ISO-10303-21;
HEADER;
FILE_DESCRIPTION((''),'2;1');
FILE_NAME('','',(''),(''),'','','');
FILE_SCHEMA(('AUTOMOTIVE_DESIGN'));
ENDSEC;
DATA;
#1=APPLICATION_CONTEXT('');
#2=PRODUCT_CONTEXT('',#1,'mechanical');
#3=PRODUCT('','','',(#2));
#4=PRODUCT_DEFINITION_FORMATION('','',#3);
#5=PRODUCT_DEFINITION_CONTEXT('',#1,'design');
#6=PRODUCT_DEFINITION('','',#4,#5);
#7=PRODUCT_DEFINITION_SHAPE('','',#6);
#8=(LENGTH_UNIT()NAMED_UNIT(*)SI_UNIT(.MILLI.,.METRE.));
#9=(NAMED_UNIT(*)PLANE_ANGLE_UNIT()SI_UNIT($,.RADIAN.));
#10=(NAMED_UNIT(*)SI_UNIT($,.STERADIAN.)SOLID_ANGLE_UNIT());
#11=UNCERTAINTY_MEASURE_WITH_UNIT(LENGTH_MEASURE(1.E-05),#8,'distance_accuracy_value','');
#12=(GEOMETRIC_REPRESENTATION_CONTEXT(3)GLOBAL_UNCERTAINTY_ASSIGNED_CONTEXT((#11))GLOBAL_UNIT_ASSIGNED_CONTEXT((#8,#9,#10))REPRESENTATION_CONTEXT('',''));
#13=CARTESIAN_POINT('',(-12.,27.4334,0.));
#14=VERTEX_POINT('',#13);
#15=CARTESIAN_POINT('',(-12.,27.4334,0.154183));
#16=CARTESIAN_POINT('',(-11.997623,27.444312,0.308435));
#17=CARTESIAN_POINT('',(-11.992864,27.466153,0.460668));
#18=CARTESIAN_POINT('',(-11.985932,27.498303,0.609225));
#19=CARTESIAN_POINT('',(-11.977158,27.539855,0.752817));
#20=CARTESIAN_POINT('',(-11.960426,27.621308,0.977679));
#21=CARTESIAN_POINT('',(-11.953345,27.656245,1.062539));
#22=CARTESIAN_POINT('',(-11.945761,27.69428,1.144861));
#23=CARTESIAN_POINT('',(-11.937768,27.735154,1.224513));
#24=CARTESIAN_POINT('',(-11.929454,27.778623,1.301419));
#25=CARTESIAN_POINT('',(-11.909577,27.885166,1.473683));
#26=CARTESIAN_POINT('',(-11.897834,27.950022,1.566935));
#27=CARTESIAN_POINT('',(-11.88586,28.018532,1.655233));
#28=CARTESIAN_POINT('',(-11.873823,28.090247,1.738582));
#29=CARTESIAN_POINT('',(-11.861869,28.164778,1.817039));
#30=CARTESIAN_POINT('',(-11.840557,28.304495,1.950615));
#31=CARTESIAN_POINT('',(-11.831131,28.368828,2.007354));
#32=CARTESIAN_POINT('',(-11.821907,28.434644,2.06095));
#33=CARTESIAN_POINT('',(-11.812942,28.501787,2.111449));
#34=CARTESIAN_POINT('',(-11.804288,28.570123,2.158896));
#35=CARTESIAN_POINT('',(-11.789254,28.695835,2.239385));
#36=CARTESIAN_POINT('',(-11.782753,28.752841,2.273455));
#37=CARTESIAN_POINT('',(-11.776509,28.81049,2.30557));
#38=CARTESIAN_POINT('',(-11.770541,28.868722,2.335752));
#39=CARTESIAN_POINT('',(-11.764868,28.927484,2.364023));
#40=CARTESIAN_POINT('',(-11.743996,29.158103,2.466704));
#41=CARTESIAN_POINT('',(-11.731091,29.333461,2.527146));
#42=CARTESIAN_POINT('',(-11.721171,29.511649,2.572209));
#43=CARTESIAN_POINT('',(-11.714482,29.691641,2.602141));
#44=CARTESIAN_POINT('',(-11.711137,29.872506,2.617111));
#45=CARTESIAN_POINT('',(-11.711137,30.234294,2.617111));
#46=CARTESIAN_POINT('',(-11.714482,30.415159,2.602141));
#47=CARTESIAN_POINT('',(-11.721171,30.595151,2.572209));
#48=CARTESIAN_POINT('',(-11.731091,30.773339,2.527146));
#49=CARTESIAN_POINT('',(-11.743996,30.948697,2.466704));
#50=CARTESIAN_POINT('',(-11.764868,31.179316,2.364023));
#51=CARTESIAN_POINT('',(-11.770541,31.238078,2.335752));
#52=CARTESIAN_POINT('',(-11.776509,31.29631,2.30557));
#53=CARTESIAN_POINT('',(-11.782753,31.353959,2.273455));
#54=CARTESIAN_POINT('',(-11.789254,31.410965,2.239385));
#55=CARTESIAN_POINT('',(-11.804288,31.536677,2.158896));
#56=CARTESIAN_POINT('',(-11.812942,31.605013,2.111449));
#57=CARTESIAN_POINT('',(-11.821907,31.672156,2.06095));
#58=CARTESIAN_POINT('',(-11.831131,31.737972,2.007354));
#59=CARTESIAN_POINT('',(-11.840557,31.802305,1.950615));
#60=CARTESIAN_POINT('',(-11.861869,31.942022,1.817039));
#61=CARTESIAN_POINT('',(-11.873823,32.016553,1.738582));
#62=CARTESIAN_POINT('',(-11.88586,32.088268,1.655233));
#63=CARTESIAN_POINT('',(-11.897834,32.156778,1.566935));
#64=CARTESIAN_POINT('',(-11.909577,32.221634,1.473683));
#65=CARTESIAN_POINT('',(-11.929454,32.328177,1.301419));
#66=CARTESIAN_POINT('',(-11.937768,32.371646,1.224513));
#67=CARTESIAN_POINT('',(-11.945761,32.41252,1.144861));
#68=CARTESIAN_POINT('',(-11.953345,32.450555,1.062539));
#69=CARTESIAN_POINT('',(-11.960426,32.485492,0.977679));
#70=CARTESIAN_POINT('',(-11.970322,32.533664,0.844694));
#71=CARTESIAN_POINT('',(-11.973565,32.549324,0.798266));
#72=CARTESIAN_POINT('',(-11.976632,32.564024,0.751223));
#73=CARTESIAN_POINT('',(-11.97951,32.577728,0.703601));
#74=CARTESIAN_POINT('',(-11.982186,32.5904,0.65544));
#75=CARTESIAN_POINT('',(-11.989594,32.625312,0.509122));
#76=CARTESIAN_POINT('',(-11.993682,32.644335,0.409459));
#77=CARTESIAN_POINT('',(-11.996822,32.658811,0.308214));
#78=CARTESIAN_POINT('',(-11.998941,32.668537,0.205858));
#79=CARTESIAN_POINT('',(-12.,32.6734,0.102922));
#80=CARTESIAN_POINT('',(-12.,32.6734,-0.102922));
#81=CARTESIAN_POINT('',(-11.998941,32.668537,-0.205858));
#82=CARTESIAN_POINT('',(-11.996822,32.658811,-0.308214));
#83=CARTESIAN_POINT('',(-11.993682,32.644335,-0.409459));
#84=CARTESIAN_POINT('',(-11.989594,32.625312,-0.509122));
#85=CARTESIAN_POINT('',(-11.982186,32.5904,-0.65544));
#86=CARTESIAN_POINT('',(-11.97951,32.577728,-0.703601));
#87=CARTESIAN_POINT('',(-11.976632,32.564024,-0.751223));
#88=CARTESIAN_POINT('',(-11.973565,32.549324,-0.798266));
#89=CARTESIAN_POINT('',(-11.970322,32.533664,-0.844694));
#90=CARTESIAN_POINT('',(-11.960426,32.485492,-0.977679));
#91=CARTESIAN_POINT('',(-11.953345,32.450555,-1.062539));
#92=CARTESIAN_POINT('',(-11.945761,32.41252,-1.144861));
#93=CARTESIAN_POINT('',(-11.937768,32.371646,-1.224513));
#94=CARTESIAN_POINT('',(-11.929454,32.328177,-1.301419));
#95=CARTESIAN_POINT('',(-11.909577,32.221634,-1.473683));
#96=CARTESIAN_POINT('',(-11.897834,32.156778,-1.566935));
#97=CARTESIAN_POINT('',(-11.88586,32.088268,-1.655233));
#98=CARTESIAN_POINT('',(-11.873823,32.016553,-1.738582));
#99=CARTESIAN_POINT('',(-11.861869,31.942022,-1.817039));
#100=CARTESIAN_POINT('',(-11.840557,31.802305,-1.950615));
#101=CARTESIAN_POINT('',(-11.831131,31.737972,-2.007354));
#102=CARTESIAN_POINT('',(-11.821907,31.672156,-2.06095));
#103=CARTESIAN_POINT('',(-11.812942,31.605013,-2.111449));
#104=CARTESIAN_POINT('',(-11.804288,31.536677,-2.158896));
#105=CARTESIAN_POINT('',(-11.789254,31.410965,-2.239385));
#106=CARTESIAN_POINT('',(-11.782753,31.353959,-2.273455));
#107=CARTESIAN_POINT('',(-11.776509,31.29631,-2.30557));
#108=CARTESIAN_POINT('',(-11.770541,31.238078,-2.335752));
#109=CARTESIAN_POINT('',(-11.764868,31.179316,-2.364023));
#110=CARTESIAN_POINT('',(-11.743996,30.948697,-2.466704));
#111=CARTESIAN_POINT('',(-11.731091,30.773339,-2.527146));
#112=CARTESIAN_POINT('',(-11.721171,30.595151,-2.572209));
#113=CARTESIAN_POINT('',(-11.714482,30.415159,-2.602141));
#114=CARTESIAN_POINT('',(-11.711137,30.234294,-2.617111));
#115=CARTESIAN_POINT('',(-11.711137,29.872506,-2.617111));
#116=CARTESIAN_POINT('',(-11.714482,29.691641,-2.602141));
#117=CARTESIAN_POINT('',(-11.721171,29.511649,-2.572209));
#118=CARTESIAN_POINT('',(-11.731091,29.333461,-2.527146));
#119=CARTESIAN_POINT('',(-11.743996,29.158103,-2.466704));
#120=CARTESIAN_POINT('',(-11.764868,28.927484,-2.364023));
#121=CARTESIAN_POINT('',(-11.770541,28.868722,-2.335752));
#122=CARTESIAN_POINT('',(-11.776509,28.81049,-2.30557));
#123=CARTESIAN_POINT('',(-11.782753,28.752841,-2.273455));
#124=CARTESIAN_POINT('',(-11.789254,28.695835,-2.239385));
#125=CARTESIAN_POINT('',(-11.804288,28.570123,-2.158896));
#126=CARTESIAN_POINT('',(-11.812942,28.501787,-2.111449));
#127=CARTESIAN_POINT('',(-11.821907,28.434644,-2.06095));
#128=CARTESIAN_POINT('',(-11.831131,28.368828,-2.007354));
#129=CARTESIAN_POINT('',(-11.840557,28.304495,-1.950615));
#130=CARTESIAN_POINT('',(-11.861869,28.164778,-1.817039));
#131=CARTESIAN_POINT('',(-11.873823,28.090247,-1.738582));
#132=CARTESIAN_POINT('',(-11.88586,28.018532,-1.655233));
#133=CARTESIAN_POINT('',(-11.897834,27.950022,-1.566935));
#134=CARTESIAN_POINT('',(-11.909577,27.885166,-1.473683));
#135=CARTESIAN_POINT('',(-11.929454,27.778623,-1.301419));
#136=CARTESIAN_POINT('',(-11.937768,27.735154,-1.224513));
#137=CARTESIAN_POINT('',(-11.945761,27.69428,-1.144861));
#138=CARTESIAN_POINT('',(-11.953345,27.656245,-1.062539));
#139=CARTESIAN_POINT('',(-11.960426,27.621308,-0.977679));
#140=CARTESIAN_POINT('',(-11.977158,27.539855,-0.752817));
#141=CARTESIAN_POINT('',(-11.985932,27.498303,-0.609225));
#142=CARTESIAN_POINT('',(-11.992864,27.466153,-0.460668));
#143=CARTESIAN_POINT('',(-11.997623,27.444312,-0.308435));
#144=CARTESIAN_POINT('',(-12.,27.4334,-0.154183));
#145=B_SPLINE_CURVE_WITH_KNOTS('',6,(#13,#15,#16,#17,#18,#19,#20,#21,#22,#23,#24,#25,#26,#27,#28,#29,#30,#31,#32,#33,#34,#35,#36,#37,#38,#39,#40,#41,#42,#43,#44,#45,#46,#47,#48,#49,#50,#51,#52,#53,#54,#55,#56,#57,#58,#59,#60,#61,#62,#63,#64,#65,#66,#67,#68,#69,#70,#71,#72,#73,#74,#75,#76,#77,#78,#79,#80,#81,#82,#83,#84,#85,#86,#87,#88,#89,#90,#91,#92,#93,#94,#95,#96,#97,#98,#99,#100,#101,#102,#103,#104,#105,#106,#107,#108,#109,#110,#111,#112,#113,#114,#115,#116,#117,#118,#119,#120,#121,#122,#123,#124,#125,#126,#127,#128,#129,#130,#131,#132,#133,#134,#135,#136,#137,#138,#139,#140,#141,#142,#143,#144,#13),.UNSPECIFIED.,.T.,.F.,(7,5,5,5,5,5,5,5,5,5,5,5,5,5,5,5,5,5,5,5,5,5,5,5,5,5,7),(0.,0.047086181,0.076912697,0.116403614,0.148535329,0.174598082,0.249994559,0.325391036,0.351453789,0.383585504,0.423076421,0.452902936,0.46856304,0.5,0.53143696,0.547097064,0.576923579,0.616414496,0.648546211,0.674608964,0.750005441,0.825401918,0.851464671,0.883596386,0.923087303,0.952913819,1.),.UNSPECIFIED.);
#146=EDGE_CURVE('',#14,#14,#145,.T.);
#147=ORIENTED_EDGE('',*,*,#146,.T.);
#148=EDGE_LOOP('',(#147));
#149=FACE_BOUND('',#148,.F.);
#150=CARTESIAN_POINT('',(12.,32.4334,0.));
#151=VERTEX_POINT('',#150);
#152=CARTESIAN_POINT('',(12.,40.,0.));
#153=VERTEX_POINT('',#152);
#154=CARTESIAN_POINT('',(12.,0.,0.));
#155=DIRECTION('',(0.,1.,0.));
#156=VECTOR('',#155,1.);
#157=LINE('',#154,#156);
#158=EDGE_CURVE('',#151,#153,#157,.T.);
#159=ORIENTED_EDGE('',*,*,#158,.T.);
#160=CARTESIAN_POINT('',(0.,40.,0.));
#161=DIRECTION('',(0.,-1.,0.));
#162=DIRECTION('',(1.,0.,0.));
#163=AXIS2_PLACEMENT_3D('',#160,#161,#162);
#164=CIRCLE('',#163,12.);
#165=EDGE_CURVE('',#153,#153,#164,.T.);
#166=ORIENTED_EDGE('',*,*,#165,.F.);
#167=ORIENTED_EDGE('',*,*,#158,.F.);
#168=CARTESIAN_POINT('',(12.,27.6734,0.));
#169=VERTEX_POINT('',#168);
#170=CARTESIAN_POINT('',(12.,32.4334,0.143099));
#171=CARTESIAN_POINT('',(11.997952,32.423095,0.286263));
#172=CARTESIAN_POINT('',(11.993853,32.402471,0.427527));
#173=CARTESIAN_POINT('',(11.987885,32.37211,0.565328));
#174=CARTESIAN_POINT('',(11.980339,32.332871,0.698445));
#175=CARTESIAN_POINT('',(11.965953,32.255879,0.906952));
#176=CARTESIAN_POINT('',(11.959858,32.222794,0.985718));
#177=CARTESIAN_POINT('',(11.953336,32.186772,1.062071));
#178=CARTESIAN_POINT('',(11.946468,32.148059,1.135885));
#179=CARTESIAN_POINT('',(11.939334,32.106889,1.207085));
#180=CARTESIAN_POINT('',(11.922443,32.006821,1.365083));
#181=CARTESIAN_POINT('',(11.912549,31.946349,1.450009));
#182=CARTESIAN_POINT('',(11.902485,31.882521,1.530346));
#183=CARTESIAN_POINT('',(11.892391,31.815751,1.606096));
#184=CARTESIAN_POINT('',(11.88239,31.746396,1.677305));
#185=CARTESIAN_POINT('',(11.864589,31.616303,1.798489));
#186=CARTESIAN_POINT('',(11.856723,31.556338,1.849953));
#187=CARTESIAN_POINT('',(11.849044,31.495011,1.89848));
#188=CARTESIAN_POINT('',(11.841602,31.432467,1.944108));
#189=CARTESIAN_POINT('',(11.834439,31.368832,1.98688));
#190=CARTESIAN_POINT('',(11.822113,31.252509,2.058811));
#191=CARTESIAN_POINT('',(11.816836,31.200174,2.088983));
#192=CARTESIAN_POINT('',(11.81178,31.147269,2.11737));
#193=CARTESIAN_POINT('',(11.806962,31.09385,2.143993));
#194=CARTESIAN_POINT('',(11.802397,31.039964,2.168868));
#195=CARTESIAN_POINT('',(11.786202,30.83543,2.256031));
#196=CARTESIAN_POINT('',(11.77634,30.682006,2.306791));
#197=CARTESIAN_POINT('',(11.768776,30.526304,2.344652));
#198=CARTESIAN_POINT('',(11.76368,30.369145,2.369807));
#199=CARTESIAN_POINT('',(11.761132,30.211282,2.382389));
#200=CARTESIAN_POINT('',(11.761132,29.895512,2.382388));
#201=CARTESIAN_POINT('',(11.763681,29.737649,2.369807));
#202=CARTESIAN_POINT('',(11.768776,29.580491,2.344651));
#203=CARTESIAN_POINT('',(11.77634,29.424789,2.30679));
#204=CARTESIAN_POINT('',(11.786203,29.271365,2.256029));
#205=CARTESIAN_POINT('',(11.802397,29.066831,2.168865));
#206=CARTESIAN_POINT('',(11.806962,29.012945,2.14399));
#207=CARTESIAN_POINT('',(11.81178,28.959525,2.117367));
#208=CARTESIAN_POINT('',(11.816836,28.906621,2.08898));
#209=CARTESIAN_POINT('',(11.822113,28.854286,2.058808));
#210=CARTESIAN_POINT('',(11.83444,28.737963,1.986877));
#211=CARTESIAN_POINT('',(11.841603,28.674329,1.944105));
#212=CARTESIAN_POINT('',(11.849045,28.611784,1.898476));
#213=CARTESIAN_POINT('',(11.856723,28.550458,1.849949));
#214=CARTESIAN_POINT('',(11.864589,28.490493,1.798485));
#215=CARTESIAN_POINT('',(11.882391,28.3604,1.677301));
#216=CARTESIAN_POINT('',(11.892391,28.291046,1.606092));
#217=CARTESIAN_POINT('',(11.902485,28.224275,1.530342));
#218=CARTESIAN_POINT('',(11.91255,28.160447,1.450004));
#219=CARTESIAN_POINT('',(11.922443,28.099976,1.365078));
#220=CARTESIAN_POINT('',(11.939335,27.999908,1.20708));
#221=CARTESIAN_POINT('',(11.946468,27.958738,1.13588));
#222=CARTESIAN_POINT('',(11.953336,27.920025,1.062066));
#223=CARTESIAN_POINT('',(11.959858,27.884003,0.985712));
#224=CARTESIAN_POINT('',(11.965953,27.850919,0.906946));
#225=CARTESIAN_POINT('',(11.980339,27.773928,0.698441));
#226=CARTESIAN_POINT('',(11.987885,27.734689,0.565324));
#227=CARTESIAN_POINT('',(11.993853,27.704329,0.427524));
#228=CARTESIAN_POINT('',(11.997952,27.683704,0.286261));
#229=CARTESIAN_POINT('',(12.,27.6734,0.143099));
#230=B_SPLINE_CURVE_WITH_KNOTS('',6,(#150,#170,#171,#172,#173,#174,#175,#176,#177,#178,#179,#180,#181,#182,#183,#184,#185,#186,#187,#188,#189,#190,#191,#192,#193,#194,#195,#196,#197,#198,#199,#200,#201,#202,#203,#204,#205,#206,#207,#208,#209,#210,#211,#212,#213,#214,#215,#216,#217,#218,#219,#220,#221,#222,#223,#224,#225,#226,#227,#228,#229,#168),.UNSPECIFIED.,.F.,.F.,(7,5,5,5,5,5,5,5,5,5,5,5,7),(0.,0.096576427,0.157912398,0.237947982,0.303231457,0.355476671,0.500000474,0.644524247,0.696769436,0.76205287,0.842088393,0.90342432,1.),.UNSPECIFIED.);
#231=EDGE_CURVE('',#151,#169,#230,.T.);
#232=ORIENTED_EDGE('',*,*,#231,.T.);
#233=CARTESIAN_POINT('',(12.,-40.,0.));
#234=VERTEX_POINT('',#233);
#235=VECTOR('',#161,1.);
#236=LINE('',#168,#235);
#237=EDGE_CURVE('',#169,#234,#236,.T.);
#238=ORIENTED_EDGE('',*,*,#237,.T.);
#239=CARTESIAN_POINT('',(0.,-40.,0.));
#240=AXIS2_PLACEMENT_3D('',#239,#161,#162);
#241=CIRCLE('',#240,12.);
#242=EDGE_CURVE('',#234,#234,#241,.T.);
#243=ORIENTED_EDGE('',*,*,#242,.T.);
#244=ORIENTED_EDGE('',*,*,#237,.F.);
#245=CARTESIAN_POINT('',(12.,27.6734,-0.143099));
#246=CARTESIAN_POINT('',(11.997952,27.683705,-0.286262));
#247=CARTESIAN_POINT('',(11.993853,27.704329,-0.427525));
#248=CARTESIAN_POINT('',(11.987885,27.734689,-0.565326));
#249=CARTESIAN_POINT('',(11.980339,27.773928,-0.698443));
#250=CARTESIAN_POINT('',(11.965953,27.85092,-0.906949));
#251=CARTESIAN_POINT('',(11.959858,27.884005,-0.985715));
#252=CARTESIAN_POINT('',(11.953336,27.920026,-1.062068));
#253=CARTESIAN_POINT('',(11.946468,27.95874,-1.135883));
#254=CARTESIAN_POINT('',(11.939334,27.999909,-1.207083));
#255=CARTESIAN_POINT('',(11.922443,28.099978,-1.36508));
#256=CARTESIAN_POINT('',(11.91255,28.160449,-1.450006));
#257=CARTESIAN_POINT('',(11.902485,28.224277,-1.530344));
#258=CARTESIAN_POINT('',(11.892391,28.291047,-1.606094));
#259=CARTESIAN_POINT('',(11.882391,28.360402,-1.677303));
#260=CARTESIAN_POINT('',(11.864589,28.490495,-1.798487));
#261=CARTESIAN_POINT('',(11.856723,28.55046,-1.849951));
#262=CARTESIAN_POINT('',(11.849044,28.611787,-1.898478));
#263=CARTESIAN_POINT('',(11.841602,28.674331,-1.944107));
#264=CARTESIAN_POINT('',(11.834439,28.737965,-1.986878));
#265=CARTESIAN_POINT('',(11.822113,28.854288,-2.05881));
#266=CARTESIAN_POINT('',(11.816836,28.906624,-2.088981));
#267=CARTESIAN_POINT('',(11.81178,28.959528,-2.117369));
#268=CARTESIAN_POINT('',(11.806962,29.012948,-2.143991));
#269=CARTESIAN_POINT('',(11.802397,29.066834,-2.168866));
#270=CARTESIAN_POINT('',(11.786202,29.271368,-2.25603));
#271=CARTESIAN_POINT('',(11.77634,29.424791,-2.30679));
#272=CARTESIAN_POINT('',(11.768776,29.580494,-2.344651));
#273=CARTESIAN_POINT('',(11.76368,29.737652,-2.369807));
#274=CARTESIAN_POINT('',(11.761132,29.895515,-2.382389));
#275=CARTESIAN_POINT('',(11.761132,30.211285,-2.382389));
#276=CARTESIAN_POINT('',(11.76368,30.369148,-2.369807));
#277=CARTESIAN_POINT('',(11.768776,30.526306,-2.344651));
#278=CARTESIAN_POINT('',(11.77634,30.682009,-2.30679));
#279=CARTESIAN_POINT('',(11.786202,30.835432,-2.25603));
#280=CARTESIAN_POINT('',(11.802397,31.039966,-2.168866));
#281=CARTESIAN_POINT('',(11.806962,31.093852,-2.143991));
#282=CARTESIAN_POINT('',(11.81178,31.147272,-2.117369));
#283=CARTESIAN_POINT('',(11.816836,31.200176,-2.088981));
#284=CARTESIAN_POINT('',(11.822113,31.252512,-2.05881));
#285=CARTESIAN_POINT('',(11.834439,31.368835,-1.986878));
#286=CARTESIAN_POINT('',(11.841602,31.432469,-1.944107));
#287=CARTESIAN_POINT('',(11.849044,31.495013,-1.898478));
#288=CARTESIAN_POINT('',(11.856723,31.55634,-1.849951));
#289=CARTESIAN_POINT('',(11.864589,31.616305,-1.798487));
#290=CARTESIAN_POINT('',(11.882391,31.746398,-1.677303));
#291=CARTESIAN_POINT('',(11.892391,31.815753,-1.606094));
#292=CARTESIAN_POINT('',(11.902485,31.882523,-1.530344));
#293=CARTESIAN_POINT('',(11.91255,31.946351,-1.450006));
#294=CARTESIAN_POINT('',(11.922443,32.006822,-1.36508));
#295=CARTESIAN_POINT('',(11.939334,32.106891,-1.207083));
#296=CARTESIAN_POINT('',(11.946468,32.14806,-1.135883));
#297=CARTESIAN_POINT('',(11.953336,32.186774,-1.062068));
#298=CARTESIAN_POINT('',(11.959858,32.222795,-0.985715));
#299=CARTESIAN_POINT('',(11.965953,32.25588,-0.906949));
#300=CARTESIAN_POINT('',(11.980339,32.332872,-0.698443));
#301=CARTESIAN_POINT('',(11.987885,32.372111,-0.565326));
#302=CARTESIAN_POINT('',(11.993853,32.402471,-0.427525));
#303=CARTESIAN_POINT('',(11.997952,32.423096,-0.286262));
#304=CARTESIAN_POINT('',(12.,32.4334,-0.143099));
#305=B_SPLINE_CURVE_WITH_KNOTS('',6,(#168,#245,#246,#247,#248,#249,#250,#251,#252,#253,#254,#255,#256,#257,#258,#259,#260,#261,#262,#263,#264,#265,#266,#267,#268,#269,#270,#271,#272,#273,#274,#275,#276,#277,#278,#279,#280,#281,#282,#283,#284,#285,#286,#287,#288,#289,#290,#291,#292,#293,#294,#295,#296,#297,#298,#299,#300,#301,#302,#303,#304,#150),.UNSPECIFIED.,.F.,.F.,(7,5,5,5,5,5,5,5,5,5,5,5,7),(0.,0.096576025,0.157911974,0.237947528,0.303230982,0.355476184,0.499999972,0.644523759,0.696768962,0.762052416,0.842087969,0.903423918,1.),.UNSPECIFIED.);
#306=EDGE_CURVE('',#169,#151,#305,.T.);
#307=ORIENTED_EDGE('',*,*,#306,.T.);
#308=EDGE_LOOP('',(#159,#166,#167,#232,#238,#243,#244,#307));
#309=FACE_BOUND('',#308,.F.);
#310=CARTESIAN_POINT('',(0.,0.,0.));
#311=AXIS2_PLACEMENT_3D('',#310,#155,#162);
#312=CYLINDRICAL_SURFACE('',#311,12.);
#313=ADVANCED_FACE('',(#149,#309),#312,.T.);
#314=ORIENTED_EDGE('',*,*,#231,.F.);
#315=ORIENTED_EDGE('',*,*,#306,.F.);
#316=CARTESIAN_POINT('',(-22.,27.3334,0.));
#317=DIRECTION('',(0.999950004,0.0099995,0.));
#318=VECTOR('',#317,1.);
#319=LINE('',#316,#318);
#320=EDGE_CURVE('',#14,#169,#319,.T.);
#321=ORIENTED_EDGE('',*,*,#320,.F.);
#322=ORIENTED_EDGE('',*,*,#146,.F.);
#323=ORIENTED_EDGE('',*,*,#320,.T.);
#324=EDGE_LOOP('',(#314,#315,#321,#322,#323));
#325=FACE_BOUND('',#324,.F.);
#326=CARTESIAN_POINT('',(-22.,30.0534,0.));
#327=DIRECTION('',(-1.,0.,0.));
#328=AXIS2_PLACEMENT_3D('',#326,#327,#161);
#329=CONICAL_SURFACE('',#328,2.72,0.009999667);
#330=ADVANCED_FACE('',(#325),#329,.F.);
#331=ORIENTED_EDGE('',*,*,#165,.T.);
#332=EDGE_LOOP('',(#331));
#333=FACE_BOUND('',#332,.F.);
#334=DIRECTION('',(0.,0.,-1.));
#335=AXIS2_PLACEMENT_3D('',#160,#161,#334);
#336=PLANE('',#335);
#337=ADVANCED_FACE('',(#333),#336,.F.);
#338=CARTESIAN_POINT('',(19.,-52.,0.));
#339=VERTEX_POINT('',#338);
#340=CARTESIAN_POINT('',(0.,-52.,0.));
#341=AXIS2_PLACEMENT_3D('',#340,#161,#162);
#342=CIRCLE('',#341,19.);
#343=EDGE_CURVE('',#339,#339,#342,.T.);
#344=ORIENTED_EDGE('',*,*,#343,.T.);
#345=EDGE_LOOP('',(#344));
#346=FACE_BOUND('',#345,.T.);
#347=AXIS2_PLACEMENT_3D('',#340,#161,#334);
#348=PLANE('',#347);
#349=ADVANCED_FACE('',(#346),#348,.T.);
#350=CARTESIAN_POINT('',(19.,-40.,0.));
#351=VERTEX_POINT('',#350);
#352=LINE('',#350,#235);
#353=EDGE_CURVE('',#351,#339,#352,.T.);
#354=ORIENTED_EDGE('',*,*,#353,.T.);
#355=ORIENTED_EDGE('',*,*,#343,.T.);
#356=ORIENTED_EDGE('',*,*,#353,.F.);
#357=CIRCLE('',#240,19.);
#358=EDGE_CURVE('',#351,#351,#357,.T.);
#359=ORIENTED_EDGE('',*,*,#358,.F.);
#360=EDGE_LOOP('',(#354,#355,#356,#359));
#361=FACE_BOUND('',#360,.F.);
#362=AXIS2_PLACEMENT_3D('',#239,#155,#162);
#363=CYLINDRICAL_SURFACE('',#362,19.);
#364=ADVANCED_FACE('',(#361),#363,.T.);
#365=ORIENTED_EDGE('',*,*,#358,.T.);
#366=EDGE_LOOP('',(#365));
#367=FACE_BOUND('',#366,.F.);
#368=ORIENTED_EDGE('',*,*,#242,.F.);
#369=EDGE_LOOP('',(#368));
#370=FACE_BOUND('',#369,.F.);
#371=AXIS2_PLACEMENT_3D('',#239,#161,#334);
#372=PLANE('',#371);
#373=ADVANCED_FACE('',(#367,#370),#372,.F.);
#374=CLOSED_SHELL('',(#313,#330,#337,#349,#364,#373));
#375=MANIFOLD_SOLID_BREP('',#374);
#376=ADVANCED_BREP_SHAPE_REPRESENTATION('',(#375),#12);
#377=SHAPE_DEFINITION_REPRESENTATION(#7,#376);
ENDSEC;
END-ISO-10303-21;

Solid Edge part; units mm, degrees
sketch "Sketch1" plane through (0, 0, 0) normal (0, -1, 0) x (1, 0, 0)
  circle A0 centre (0, 0) radius 12
extrude "Protrusion1" add sketch "Sketch1" along normal mid plane 80
sketch "Sketch2" plane through (0, -40, 0) normal (0, -1, 0) x (1, 0, 0)
  circle A0 centre (0, 0) radius 19
extrude "ExtrudedProtrusion_3" add sketch "Sketch2" along normal blind 12
sketch "Sketch3" plane through (0, 0, 0) normal (0, 0, 1) x (1, 0, 0)
  line L0 (0, 30.0534) -> (22, 30.0534)
  line L1 (22, 30.0534) -> (22, 27.7734)
  line L2 (-22, 27.3334) -> (22, 27.7734)
  line L3 (-22, 30.0534) -> (-22, 27.3334)
  line L4 (0, 30.0534) -> (-22, 30.0534)
revolve "RevolvedCutout1" cut sketch "Sketch3" angle 360 about axis through (0, 30.0534, 0) along (1, 0, 0)
properties material "Mild Steel"
